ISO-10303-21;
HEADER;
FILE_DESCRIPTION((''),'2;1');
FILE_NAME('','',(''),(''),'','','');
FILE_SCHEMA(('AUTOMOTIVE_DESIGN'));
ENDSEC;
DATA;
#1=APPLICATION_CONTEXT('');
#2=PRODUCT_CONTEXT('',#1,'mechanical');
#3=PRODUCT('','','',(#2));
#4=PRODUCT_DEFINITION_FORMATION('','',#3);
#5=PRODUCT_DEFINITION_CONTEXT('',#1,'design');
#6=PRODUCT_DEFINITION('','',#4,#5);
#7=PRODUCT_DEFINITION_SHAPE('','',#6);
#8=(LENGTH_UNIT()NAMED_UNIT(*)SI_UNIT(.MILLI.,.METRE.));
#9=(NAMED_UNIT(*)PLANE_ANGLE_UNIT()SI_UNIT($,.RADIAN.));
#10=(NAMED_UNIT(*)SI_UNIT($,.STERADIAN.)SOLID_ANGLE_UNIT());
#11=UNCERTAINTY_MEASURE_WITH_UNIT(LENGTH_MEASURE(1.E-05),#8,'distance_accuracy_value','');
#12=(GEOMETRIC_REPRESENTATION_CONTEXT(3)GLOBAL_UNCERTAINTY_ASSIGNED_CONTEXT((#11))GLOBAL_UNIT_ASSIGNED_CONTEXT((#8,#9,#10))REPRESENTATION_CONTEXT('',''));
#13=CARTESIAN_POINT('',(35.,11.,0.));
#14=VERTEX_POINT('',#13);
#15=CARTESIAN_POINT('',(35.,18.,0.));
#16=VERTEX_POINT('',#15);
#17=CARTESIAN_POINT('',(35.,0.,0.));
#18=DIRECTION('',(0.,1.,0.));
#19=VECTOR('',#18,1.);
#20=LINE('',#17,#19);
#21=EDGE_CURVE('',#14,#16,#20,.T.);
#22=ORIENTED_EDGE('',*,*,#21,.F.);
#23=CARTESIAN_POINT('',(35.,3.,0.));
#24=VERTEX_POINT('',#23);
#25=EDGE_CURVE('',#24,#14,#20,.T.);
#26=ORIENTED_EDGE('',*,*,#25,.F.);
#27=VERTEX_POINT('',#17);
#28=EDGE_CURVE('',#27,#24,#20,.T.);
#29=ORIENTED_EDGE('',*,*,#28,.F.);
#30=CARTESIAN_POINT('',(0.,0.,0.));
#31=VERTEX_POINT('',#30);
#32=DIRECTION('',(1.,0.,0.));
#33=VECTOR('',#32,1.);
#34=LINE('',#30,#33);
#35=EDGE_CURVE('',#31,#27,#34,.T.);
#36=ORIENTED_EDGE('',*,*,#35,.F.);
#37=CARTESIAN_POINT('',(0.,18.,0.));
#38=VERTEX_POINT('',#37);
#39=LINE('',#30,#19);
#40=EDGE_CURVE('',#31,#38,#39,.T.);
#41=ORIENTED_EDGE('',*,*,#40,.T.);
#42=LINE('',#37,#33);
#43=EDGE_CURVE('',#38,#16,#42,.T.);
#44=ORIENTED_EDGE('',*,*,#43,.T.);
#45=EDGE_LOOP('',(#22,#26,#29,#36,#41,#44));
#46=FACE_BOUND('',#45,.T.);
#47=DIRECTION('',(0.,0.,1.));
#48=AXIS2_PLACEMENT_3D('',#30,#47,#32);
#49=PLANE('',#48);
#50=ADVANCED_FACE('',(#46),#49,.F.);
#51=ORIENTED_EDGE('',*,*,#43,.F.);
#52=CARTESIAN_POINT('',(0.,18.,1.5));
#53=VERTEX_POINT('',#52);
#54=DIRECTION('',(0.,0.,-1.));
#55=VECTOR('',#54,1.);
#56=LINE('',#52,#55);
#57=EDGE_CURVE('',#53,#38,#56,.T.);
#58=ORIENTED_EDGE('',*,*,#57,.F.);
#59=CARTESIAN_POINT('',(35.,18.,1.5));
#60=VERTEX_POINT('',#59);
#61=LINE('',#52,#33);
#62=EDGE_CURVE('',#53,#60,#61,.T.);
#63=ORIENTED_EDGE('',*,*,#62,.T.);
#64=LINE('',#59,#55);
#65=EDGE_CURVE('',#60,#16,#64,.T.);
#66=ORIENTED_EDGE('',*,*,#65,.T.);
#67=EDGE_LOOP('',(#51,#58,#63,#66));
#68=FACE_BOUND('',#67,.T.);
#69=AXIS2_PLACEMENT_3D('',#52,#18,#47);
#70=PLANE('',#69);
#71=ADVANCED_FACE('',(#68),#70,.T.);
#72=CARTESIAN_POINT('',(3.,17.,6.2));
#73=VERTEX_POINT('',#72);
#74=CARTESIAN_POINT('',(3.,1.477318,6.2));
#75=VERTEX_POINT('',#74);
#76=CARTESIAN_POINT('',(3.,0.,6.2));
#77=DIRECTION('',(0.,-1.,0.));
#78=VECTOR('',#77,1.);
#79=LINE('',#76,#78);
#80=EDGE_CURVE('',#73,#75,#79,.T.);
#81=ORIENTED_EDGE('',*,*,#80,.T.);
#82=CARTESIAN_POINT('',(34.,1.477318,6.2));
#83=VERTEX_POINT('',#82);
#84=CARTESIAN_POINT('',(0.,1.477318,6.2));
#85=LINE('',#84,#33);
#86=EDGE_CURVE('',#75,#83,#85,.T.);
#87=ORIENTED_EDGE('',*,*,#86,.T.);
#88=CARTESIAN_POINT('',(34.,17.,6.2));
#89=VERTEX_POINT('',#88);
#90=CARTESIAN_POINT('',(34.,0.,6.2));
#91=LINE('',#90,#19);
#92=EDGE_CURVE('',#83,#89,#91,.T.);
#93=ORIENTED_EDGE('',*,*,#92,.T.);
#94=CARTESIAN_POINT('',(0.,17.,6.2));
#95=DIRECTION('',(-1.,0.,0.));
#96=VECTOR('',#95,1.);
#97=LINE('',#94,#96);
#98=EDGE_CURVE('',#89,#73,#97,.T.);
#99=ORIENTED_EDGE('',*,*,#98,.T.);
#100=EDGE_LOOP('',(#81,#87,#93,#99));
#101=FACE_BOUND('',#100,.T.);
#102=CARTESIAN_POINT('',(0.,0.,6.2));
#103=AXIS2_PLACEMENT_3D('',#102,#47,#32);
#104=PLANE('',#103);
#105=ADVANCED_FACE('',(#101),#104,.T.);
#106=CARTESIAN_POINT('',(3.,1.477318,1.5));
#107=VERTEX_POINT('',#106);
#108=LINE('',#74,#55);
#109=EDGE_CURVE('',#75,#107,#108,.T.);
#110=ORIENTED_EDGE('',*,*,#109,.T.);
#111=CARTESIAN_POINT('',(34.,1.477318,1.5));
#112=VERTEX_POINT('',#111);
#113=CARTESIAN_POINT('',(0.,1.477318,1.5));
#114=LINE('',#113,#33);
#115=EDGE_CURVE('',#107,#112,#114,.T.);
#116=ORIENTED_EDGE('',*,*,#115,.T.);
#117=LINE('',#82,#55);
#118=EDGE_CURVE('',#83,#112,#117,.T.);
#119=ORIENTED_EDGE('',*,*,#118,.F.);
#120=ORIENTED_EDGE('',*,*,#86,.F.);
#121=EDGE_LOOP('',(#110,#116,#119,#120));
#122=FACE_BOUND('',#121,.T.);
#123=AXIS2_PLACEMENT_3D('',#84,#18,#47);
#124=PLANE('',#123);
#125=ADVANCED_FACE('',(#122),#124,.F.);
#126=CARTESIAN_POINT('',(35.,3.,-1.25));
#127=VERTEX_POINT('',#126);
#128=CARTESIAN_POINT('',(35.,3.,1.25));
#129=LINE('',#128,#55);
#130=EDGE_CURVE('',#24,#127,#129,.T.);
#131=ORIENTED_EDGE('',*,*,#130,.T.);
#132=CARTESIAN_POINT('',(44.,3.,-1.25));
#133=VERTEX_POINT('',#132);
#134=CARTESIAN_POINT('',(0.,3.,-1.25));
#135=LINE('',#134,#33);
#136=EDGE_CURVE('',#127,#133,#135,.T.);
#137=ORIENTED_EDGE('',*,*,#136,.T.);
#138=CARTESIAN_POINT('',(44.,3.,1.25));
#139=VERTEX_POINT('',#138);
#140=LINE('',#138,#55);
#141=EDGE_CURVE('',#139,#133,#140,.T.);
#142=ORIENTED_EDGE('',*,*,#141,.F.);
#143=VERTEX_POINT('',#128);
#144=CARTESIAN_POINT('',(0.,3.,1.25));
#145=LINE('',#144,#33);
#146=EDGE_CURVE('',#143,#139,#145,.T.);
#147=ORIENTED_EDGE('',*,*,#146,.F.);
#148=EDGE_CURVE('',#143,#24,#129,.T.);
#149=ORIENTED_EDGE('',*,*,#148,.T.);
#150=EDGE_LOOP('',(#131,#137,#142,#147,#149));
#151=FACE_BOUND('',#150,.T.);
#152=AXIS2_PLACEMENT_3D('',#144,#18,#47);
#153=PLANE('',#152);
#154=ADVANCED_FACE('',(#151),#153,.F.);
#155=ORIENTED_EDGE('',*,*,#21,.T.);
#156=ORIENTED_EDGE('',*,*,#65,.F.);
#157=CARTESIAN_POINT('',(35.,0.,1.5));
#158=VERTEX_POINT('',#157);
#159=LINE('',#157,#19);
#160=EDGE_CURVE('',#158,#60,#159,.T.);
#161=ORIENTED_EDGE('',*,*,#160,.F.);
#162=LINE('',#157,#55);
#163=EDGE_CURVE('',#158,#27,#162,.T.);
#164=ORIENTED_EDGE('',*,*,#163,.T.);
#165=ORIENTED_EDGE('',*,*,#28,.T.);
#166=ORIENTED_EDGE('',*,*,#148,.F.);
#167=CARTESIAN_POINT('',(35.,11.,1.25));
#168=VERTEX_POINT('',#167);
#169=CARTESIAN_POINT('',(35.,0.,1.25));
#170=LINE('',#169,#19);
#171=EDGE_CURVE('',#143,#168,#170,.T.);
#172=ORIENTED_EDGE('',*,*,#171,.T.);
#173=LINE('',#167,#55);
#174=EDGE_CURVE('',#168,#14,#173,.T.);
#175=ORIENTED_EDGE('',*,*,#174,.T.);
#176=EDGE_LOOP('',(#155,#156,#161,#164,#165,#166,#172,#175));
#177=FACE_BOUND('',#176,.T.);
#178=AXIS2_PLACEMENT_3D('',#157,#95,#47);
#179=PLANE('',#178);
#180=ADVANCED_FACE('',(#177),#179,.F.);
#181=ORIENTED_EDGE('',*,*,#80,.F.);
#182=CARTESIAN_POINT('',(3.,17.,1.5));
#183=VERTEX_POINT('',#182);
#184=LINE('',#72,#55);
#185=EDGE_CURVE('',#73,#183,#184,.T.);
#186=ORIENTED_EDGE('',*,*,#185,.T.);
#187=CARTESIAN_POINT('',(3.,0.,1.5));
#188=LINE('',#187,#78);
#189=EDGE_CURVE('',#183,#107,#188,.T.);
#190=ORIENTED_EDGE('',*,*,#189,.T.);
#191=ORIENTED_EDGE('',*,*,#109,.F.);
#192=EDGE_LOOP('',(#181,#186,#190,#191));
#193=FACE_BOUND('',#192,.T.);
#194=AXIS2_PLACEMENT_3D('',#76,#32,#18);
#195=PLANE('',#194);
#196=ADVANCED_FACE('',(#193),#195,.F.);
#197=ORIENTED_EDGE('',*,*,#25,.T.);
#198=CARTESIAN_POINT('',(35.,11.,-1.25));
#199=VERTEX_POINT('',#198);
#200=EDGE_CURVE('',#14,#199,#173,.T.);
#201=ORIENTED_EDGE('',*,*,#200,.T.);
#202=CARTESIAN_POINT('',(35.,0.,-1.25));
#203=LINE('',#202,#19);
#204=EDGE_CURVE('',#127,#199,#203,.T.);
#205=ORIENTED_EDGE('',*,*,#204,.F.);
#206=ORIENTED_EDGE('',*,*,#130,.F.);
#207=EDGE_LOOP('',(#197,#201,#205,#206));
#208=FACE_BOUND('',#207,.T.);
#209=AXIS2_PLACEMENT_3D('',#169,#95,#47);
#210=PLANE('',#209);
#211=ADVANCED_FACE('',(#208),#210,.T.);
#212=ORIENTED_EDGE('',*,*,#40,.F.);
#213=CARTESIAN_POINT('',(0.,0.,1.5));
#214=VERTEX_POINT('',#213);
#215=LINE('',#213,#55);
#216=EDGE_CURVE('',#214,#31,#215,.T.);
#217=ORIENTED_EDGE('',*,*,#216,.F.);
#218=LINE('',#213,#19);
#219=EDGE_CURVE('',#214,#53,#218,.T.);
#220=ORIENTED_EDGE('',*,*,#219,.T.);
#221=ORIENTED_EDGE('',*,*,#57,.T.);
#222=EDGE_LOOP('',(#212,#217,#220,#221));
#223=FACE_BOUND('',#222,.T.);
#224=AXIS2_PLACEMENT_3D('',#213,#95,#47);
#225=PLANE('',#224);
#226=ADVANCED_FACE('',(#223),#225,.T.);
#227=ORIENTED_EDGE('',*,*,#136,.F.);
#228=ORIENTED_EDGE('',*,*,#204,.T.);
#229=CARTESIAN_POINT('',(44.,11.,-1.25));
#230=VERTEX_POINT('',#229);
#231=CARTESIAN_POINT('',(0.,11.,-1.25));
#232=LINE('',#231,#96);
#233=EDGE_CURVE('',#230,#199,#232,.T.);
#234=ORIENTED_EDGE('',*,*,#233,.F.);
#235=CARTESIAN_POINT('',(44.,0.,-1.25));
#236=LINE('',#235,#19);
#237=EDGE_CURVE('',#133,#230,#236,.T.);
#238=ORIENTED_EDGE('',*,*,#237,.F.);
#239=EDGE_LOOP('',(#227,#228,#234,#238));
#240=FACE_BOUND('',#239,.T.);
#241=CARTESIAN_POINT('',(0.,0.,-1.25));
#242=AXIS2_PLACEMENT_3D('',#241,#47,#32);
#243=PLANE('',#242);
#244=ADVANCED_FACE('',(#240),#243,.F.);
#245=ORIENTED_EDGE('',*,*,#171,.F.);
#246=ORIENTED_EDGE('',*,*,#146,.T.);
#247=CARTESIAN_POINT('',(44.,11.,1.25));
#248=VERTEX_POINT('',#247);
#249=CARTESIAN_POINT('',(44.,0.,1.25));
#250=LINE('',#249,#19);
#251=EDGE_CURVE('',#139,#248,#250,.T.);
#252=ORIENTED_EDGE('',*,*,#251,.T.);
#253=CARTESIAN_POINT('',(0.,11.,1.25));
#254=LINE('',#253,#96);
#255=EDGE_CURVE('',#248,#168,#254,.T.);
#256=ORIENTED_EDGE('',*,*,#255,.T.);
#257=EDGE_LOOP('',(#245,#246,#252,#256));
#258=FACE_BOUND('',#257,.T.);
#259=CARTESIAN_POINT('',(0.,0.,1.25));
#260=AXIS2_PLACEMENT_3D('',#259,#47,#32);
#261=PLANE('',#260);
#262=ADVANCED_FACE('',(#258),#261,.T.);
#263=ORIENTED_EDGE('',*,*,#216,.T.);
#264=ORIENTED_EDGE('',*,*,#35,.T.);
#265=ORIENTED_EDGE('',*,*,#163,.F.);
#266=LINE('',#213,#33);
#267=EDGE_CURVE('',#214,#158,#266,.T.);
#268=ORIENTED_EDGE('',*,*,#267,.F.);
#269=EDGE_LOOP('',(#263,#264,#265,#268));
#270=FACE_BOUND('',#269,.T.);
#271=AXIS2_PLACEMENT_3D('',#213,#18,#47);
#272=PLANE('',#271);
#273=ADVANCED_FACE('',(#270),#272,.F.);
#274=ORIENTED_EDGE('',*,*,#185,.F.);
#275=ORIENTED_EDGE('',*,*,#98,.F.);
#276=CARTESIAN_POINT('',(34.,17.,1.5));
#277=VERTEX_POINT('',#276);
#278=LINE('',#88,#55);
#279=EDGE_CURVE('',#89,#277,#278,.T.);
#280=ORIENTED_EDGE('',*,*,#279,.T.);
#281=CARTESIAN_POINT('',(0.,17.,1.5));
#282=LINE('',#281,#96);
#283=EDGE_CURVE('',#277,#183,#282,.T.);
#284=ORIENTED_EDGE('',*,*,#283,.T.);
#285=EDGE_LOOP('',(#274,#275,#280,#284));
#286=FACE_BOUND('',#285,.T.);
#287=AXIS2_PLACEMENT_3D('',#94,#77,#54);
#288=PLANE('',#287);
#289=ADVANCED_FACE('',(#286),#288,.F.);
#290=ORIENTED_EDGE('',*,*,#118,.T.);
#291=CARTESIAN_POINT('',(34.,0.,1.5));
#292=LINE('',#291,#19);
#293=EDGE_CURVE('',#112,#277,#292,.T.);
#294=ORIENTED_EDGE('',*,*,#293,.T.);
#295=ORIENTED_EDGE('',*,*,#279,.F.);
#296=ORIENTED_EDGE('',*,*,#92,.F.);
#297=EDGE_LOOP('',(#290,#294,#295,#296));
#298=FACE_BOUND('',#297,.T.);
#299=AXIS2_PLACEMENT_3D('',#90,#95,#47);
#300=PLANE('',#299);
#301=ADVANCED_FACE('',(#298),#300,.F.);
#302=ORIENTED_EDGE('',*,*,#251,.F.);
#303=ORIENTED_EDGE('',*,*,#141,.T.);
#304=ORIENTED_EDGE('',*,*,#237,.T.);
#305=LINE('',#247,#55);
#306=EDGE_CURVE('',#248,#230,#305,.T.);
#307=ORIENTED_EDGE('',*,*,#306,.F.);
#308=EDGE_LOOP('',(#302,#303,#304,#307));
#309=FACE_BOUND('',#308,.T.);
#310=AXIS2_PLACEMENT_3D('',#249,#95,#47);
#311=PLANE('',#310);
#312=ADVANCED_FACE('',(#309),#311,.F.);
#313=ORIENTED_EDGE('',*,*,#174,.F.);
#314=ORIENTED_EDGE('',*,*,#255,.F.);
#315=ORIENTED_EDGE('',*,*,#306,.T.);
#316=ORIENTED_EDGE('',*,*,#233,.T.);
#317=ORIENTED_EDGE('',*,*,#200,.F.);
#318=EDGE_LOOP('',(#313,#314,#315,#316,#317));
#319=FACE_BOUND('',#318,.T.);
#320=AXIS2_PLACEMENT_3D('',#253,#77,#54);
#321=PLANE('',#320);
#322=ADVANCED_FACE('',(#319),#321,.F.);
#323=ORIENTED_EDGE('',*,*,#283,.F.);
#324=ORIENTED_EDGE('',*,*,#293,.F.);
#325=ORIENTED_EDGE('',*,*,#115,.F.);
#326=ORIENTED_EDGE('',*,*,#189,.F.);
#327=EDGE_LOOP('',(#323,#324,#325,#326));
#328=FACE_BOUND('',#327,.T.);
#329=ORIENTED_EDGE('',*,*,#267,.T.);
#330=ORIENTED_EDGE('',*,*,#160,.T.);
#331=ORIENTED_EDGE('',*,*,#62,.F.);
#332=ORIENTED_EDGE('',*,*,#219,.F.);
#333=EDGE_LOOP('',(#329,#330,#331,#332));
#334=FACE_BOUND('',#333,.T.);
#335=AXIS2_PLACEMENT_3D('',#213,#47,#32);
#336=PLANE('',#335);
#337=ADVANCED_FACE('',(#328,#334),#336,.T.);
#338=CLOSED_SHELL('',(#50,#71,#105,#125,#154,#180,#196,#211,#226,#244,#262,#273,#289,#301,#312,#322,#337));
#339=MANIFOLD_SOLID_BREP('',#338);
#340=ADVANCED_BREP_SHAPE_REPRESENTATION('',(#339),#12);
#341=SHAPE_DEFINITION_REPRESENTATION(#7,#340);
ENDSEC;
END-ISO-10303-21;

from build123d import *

# Parameters (mm, degrees)
RESSALTO_EXTRUS_O1_DEPTH = 1.5
RESSALTO_EXTRUS_O2_DEPTH = 6.2
ESBO_O1_4_W              = 9
ESBO_O1_4_H              = 8
RESSALTO_EXTRUS_O3_DEPTH = 1.25


with BuildPart() as part:
    # Esboço1 → Ressalto-extrusão1 (new body)
    with BuildSketch(Plane.XY):
        Polygon((0, 18), (0, 0), (35, 0), (35, 3), (35, 11), (35, 18), align=None)
        Polygon((34, 17), (34, 9), (34, 1.477317564), (3, 1.477317564), (3, 17), align=None, mode=Mode.SUBTRACT)
    extrude(amount=RESSALTO_EXTRUS_O1_DEPTH)

    # Esboço1<3> → Ressalto-extrusão2 (add)
    with BuildSketch(Plane.XY):
        Polygon((34, 1.477317564), (34, 9), (34, 17), (3, 17), (3, 1.477317564), align=None)
    extrude(amount=RESSALTO_EXTRUS_O2_DEPTH)

    # Esboço1<4> → Ressalto-extrusão3 (add, symmetric)
    with BuildSketch(Plane.XY):
        with Locations((39.5, 7)):
            Rectangle(ESBO_O1_4_W, ESBO_O1_4_H)
    extrude(amount=RESSALTO_EXTRUS_O3_DEPTH, both=True)


solid = part.part
